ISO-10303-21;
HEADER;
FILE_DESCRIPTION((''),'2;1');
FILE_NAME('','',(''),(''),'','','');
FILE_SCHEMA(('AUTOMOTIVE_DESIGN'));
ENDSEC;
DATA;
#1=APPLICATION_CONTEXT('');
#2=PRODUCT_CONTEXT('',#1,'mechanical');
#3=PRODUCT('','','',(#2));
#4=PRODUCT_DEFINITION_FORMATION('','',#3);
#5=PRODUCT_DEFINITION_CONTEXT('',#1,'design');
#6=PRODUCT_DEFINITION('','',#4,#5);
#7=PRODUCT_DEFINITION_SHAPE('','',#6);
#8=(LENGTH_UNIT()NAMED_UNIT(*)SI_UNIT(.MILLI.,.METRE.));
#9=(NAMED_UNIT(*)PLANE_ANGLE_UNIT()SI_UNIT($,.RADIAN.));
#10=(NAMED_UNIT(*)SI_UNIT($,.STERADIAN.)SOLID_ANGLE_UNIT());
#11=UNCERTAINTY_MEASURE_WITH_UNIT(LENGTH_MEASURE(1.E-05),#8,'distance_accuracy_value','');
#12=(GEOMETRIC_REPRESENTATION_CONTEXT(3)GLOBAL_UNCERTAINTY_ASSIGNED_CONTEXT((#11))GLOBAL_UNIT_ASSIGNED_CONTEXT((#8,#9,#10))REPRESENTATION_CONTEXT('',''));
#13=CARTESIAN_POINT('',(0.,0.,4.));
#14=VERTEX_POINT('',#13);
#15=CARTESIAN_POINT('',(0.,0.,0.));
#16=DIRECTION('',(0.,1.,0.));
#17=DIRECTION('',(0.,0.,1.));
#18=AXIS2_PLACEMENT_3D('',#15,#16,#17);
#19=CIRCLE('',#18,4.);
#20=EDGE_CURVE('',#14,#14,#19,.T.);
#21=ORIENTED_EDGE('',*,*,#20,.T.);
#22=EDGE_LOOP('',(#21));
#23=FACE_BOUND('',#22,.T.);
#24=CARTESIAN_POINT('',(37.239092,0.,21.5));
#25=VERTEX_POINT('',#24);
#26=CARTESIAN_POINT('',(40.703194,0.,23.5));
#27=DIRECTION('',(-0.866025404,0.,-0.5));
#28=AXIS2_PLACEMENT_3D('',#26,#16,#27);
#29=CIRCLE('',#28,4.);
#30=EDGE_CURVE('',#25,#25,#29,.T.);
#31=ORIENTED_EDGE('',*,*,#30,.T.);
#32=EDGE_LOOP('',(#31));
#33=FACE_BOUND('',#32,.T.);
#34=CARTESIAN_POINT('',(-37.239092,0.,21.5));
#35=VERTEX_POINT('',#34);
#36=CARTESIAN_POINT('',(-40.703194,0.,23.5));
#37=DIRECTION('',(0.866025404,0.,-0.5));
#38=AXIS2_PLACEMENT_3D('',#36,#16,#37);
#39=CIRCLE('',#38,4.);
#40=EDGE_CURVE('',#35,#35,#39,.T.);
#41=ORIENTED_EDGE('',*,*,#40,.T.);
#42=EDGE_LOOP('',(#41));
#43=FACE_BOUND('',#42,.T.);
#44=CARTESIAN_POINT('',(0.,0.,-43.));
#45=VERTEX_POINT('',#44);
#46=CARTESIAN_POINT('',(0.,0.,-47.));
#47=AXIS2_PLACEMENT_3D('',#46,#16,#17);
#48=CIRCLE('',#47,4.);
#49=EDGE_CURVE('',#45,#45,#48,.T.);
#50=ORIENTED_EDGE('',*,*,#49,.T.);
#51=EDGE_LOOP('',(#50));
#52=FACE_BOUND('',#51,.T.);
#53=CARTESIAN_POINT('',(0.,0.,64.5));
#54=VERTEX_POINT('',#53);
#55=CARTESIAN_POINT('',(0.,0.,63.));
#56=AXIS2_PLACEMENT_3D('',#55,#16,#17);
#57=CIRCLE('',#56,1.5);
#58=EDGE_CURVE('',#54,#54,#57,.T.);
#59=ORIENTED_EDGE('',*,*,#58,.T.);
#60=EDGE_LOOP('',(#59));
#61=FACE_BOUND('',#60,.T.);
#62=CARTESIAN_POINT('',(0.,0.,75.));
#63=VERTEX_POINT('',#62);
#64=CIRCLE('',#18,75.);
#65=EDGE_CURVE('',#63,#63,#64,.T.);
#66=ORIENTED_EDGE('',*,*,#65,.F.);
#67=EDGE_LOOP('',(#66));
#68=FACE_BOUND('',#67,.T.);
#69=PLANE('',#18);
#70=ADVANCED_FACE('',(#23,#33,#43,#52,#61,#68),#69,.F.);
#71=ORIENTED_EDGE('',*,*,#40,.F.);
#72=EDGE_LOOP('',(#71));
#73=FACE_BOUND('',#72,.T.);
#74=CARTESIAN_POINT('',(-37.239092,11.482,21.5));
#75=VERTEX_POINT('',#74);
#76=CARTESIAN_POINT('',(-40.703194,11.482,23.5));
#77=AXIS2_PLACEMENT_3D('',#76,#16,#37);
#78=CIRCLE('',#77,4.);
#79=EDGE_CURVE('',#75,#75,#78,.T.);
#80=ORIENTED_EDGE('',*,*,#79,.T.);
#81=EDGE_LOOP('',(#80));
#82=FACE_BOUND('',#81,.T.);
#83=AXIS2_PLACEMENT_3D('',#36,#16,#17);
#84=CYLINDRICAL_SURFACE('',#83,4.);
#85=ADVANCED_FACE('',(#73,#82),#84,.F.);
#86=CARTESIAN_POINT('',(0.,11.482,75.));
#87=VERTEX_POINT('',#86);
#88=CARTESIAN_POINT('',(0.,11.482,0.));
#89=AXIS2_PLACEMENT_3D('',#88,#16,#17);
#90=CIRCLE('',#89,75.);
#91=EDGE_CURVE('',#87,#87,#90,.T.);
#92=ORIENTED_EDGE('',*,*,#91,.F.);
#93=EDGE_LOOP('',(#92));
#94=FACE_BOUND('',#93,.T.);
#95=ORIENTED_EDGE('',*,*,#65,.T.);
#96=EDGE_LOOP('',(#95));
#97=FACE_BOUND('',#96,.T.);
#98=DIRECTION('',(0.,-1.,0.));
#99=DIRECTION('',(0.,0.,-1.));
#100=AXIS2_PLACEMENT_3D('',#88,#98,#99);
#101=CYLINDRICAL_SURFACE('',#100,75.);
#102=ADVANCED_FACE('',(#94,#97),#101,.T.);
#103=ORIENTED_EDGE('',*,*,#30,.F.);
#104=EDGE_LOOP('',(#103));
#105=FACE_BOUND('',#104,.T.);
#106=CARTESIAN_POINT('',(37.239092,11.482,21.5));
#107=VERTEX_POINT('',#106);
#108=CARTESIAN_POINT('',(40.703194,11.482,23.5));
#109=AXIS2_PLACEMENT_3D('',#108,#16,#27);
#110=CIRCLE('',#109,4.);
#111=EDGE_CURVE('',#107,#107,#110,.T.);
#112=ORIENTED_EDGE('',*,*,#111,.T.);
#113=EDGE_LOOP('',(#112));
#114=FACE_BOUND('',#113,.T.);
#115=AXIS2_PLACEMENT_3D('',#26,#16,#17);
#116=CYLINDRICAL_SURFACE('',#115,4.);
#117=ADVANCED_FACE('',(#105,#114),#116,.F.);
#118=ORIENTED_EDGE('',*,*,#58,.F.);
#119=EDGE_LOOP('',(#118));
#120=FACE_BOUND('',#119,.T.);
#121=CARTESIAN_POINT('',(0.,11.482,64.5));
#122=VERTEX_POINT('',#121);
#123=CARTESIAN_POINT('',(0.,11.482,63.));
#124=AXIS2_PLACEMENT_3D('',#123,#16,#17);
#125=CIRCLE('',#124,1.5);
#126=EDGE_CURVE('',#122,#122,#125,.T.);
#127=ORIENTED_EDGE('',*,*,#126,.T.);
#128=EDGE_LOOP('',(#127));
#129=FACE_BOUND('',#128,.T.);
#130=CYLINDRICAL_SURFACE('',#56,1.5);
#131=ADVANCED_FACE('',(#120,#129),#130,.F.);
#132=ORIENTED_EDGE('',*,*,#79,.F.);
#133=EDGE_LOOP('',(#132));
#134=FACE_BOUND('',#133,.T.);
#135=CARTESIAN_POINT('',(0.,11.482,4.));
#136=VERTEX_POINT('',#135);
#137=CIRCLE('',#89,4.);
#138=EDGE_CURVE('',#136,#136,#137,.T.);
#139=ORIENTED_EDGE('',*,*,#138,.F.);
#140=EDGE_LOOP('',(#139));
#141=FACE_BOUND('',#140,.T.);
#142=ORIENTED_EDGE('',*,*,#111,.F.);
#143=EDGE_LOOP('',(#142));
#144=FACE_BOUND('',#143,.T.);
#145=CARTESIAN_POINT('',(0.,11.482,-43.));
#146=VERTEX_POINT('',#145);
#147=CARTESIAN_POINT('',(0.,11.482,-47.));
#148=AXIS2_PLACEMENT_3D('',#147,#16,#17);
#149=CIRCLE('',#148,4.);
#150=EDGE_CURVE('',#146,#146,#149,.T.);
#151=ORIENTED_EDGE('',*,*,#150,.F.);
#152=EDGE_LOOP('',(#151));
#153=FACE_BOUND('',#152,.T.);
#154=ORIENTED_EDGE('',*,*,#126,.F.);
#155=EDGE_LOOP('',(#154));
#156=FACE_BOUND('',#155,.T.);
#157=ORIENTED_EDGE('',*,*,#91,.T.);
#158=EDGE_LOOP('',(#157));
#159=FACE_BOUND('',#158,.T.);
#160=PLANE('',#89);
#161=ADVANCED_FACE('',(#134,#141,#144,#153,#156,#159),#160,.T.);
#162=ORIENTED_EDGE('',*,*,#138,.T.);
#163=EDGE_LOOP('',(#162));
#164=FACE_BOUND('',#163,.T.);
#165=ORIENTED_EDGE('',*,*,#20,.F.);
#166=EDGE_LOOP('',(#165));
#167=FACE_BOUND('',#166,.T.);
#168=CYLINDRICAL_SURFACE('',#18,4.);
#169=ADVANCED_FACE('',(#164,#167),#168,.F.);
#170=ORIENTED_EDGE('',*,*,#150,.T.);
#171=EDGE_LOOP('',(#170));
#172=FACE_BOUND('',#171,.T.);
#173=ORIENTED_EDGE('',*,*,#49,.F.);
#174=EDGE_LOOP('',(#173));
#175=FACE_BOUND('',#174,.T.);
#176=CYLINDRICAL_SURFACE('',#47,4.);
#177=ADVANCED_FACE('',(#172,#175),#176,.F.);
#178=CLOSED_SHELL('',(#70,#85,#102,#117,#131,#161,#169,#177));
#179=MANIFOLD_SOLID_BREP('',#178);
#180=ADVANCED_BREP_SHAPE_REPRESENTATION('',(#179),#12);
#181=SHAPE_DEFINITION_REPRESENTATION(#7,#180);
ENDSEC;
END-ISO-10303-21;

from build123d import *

# Parameters (mm, degrees)
SKETCH1_R           = 75
BOSS_EXTRUDE1_DEPTH = 11.482
SKETCH2_R           = 4
CUT_EXTRUDE1_DEPTH  = 107.685689406
CIRPATTERN1_COUNT   = 3
SKETCH3_R           = 1.5
CUT_EXTRUDE2_DEPTH  = 107.685689406
SKETCH4_R           = 4
CUT_EXTRUDE3_DEPTH  = 107.685689406


with BuildPart() as part:
    # Sketch1 → Boss-Extrude1 (new body)
    with BuildSketch(Plane(origin=(0, 0, 0), x_dir=(1, 0, 0), z_dir=(0, 1, 0))):
        Circle(SKETCH1_R)
    extrude(amount=BOSS_EXTRUDE1_DEPTH)

    # Sketch2 → Cut-Extrude1 (cut, through all)
    with BuildSketch(Plane(origin=(0, 11.482, 0), x_dir=(1, 0, 0), z_dir=(0, 1, 0))):
        with Locations((0, 47)):
            Circle(SKETCH2_R)
    cut_extrude1 = extrude(amount=-CUT_EXTRUDE1_DEPTH, mode=Mode.SUBTRACT)

    # CirPattern1: Cut-Extrude1 ×3 about axis
    cirpattern1_axis = Axis((0, 33.6, 0), (0, -1, 0))
    for i in range(1, CIRPATTERN1_COUNT):
        add(cut_extrude1.rotate(cirpattern1_axis, i * 360 / CIRPATTERN1_COUNT), mode=Mode.SUBTRACT)

    # Sketch3 → Cut-Extrude2 (cut, through all)
    with BuildSketch(Plane(origin=(0, 11.482, 0), x_dir=(1, 0, 0), z_dir=(0, 1, 0))):
        with Locations((0, -63)):
            Circle(SKETCH3_R)
    extrude(amount=-CUT_EXTRUDE2_DEPTH, mode=Mode.SUBTRACT)

    # Sketch4 → Cut-Extrude3 (cut, through all)
    with BuildSketch(Plane(origin=(0, 11.482, 0), x_dir=(1, 0, 0), z_dir=(0, 1, 0))):
        Circle(SKETCH4_R)
    extrude(amount=-CUT_EXTRUDE3_DEPTH, mode=Mode.SUBTRACT)


solid = part.part
